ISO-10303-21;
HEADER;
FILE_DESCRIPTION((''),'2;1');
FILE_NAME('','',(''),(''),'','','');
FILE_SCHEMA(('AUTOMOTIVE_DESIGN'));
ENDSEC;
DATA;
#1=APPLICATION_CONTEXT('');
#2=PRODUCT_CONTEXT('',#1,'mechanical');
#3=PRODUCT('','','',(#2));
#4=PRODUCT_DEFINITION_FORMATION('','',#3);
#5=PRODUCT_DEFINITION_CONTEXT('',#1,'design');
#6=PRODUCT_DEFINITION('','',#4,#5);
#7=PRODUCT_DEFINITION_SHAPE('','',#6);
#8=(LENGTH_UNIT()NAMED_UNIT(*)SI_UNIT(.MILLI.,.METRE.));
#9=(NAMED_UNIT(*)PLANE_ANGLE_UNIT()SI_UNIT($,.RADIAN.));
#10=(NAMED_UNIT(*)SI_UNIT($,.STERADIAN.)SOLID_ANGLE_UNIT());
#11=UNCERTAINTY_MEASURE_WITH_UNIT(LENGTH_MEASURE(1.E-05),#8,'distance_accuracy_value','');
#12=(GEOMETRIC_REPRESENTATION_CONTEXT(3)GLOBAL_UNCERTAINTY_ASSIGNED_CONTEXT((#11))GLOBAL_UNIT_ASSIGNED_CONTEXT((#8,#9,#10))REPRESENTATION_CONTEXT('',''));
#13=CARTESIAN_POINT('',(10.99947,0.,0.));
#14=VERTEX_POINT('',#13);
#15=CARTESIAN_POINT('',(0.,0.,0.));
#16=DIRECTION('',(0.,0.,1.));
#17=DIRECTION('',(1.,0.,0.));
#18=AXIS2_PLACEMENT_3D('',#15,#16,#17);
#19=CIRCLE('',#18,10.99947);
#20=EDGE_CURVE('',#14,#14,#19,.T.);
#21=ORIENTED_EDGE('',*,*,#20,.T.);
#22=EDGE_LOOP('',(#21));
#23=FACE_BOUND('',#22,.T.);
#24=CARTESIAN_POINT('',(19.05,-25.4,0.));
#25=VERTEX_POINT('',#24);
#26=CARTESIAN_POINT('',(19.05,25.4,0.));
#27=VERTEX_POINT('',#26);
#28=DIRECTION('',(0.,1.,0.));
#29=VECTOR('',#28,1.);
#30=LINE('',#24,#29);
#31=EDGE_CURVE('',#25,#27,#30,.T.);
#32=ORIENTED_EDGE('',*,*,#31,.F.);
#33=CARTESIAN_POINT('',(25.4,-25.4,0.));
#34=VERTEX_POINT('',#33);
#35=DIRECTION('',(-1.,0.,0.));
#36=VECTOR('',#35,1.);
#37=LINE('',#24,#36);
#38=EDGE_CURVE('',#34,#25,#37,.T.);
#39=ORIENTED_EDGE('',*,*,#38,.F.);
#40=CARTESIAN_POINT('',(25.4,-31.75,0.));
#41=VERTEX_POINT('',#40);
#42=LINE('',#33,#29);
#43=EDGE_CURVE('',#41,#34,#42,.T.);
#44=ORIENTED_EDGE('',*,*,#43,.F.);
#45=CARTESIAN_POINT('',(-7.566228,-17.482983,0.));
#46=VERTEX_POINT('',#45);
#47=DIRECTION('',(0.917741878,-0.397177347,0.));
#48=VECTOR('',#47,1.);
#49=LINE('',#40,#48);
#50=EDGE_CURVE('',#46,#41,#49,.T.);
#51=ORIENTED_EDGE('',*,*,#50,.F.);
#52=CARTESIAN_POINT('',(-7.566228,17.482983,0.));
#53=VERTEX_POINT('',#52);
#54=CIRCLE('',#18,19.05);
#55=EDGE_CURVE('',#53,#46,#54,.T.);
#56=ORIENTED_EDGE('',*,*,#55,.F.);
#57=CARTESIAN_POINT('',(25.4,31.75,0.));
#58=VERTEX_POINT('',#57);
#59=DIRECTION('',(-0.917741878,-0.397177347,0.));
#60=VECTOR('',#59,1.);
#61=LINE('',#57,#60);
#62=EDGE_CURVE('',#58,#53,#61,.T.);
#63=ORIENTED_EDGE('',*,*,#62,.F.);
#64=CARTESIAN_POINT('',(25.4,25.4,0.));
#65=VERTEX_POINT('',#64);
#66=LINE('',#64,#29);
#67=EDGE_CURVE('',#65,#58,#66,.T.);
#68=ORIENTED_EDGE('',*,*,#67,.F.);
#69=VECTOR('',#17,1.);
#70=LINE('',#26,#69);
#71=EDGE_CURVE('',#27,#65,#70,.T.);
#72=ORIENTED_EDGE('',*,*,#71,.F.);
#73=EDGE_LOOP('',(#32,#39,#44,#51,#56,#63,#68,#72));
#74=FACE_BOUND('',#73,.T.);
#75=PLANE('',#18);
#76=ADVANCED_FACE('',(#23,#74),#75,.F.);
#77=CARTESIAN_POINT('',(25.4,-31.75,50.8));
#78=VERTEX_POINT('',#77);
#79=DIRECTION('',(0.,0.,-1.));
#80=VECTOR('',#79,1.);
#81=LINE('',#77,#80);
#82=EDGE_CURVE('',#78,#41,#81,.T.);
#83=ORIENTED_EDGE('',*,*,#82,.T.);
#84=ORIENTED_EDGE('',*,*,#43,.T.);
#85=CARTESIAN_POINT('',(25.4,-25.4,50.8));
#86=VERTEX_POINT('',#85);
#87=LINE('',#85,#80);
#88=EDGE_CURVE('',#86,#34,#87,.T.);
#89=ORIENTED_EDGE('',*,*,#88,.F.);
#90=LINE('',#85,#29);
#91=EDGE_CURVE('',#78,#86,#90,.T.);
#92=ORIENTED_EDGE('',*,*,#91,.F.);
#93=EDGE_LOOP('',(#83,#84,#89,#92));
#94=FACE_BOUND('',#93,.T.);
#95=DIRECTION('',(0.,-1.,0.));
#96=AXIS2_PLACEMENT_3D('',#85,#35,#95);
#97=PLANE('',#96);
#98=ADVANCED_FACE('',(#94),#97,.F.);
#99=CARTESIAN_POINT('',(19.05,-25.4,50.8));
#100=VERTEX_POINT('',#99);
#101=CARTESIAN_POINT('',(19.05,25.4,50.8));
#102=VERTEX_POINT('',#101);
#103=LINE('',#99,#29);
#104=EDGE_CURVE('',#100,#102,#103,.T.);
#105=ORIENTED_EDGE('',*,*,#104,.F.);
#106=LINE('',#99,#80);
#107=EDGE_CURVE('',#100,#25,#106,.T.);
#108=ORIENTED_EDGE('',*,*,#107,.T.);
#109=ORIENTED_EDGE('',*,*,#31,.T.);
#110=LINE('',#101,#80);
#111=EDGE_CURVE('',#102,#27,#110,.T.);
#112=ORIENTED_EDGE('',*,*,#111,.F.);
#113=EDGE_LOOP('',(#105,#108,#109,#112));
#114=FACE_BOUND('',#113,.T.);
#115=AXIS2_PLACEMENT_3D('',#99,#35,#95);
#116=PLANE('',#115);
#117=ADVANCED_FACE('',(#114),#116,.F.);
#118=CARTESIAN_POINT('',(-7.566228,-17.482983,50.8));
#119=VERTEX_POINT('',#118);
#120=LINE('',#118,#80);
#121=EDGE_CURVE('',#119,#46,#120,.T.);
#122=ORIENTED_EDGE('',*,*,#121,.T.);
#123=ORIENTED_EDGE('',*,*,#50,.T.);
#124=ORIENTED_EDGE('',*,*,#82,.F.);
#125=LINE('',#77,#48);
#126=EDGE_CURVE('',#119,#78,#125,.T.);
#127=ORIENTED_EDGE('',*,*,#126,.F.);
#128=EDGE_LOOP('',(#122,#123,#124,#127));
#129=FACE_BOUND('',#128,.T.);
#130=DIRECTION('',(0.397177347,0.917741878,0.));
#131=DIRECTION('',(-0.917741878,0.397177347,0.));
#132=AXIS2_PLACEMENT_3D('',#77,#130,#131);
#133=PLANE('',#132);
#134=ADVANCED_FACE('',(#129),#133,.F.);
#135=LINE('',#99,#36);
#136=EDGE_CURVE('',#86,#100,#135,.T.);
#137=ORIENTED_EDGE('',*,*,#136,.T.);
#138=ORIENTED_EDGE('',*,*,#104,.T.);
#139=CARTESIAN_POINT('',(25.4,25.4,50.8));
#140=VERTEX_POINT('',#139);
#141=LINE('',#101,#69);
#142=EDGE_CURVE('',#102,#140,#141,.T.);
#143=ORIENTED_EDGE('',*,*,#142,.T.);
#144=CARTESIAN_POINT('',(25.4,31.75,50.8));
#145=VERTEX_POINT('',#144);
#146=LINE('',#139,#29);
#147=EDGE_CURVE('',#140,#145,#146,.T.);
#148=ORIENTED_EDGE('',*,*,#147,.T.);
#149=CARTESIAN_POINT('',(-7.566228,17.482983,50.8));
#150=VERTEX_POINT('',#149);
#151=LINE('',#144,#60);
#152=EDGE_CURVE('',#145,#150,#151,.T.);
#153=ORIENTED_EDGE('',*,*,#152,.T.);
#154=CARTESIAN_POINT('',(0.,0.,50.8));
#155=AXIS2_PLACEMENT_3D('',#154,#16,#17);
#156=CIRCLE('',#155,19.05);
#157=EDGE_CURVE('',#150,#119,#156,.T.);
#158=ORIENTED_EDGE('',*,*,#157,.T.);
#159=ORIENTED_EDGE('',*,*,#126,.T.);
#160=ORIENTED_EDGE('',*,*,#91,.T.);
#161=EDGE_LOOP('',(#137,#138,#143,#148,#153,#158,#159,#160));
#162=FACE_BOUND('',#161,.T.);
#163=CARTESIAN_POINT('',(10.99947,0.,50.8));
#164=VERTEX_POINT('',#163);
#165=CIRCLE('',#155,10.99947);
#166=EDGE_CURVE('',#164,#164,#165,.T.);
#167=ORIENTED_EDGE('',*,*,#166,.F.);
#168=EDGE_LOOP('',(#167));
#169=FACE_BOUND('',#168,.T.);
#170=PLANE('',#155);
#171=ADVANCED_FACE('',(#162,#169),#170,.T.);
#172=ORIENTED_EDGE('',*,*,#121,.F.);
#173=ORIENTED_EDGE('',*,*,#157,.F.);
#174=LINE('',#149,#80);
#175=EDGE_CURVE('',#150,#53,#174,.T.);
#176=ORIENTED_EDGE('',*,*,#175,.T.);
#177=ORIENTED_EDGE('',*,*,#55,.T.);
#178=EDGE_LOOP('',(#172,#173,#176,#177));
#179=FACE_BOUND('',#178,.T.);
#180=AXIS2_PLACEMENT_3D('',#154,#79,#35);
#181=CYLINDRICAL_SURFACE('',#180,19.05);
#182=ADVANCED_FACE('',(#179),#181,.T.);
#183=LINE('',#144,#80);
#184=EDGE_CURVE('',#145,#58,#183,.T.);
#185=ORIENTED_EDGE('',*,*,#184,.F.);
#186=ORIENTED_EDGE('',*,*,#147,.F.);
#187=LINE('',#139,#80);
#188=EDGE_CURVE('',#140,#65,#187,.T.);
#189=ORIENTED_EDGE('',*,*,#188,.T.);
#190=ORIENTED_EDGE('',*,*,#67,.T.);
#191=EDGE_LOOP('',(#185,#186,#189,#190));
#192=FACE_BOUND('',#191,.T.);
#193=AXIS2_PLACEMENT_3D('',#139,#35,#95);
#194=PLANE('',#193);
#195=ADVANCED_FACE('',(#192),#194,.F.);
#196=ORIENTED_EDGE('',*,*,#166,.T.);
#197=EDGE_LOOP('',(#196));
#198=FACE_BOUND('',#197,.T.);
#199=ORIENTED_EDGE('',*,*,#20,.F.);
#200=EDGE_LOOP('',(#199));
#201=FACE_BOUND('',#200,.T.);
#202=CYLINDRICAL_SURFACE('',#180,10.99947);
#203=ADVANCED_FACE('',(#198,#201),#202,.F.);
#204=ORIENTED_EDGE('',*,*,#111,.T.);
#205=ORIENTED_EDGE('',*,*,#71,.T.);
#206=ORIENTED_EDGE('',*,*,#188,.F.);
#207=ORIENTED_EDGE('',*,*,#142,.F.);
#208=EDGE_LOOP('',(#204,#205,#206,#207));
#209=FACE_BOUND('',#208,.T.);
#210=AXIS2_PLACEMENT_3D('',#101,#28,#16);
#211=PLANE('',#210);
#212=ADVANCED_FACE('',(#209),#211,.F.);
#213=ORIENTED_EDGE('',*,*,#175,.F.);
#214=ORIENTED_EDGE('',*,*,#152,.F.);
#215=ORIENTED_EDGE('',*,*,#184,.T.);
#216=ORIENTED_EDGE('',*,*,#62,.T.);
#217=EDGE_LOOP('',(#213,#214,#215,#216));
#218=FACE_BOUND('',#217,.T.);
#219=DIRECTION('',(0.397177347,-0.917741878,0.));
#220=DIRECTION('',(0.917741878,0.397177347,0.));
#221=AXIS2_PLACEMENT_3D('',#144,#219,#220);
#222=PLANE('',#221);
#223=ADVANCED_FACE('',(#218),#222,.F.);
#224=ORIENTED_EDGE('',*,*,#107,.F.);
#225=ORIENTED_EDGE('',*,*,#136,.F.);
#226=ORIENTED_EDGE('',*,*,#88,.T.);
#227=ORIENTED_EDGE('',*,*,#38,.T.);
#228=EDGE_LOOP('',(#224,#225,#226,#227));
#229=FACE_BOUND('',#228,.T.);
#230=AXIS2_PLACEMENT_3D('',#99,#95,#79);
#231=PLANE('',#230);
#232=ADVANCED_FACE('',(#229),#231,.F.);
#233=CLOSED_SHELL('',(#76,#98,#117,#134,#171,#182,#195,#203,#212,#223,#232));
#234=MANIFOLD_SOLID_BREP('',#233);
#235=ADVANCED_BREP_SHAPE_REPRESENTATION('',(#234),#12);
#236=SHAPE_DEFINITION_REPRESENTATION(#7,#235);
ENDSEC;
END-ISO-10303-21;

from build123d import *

# Parameters (mm, degrees)
SKETCH1_R           = 10.99947
BOSS_EXTRUDE1_DEPTH = 50.8


with BuildPart() as part:
    # Sketch1 → Boss-Extrude1 (new body)
    with BuildSketch(Plane.XY):
        with BuildLine():
            Line((19.05, -25.4), (19.05, 25.4))
            Line((19.05, 25.4), (25.4, 25.4))
            Line((25.4, 25.4), (25.4, 31.75))
            Line((25.4, 31.75), (-7.56622847, 17.482982776))
            ThreePointArc((-7.56622847, 17.482982776), (-19.05, 0), (-7.56622847, -17.482982776))
            Line((-7.56622847, -17.482982776), (25.4, -31.75))
            Line((25.4, -31.75), (25.4, -25.4))
            Line((25.4, -25.4), (19.05, -25.4))
        make_face()
        Circle(SKETCH1_R, mode=Mode.SUBTRACT)
    extrude(amount=BOSS_EXTRUDE1_DEPTH)


solid = part.part
